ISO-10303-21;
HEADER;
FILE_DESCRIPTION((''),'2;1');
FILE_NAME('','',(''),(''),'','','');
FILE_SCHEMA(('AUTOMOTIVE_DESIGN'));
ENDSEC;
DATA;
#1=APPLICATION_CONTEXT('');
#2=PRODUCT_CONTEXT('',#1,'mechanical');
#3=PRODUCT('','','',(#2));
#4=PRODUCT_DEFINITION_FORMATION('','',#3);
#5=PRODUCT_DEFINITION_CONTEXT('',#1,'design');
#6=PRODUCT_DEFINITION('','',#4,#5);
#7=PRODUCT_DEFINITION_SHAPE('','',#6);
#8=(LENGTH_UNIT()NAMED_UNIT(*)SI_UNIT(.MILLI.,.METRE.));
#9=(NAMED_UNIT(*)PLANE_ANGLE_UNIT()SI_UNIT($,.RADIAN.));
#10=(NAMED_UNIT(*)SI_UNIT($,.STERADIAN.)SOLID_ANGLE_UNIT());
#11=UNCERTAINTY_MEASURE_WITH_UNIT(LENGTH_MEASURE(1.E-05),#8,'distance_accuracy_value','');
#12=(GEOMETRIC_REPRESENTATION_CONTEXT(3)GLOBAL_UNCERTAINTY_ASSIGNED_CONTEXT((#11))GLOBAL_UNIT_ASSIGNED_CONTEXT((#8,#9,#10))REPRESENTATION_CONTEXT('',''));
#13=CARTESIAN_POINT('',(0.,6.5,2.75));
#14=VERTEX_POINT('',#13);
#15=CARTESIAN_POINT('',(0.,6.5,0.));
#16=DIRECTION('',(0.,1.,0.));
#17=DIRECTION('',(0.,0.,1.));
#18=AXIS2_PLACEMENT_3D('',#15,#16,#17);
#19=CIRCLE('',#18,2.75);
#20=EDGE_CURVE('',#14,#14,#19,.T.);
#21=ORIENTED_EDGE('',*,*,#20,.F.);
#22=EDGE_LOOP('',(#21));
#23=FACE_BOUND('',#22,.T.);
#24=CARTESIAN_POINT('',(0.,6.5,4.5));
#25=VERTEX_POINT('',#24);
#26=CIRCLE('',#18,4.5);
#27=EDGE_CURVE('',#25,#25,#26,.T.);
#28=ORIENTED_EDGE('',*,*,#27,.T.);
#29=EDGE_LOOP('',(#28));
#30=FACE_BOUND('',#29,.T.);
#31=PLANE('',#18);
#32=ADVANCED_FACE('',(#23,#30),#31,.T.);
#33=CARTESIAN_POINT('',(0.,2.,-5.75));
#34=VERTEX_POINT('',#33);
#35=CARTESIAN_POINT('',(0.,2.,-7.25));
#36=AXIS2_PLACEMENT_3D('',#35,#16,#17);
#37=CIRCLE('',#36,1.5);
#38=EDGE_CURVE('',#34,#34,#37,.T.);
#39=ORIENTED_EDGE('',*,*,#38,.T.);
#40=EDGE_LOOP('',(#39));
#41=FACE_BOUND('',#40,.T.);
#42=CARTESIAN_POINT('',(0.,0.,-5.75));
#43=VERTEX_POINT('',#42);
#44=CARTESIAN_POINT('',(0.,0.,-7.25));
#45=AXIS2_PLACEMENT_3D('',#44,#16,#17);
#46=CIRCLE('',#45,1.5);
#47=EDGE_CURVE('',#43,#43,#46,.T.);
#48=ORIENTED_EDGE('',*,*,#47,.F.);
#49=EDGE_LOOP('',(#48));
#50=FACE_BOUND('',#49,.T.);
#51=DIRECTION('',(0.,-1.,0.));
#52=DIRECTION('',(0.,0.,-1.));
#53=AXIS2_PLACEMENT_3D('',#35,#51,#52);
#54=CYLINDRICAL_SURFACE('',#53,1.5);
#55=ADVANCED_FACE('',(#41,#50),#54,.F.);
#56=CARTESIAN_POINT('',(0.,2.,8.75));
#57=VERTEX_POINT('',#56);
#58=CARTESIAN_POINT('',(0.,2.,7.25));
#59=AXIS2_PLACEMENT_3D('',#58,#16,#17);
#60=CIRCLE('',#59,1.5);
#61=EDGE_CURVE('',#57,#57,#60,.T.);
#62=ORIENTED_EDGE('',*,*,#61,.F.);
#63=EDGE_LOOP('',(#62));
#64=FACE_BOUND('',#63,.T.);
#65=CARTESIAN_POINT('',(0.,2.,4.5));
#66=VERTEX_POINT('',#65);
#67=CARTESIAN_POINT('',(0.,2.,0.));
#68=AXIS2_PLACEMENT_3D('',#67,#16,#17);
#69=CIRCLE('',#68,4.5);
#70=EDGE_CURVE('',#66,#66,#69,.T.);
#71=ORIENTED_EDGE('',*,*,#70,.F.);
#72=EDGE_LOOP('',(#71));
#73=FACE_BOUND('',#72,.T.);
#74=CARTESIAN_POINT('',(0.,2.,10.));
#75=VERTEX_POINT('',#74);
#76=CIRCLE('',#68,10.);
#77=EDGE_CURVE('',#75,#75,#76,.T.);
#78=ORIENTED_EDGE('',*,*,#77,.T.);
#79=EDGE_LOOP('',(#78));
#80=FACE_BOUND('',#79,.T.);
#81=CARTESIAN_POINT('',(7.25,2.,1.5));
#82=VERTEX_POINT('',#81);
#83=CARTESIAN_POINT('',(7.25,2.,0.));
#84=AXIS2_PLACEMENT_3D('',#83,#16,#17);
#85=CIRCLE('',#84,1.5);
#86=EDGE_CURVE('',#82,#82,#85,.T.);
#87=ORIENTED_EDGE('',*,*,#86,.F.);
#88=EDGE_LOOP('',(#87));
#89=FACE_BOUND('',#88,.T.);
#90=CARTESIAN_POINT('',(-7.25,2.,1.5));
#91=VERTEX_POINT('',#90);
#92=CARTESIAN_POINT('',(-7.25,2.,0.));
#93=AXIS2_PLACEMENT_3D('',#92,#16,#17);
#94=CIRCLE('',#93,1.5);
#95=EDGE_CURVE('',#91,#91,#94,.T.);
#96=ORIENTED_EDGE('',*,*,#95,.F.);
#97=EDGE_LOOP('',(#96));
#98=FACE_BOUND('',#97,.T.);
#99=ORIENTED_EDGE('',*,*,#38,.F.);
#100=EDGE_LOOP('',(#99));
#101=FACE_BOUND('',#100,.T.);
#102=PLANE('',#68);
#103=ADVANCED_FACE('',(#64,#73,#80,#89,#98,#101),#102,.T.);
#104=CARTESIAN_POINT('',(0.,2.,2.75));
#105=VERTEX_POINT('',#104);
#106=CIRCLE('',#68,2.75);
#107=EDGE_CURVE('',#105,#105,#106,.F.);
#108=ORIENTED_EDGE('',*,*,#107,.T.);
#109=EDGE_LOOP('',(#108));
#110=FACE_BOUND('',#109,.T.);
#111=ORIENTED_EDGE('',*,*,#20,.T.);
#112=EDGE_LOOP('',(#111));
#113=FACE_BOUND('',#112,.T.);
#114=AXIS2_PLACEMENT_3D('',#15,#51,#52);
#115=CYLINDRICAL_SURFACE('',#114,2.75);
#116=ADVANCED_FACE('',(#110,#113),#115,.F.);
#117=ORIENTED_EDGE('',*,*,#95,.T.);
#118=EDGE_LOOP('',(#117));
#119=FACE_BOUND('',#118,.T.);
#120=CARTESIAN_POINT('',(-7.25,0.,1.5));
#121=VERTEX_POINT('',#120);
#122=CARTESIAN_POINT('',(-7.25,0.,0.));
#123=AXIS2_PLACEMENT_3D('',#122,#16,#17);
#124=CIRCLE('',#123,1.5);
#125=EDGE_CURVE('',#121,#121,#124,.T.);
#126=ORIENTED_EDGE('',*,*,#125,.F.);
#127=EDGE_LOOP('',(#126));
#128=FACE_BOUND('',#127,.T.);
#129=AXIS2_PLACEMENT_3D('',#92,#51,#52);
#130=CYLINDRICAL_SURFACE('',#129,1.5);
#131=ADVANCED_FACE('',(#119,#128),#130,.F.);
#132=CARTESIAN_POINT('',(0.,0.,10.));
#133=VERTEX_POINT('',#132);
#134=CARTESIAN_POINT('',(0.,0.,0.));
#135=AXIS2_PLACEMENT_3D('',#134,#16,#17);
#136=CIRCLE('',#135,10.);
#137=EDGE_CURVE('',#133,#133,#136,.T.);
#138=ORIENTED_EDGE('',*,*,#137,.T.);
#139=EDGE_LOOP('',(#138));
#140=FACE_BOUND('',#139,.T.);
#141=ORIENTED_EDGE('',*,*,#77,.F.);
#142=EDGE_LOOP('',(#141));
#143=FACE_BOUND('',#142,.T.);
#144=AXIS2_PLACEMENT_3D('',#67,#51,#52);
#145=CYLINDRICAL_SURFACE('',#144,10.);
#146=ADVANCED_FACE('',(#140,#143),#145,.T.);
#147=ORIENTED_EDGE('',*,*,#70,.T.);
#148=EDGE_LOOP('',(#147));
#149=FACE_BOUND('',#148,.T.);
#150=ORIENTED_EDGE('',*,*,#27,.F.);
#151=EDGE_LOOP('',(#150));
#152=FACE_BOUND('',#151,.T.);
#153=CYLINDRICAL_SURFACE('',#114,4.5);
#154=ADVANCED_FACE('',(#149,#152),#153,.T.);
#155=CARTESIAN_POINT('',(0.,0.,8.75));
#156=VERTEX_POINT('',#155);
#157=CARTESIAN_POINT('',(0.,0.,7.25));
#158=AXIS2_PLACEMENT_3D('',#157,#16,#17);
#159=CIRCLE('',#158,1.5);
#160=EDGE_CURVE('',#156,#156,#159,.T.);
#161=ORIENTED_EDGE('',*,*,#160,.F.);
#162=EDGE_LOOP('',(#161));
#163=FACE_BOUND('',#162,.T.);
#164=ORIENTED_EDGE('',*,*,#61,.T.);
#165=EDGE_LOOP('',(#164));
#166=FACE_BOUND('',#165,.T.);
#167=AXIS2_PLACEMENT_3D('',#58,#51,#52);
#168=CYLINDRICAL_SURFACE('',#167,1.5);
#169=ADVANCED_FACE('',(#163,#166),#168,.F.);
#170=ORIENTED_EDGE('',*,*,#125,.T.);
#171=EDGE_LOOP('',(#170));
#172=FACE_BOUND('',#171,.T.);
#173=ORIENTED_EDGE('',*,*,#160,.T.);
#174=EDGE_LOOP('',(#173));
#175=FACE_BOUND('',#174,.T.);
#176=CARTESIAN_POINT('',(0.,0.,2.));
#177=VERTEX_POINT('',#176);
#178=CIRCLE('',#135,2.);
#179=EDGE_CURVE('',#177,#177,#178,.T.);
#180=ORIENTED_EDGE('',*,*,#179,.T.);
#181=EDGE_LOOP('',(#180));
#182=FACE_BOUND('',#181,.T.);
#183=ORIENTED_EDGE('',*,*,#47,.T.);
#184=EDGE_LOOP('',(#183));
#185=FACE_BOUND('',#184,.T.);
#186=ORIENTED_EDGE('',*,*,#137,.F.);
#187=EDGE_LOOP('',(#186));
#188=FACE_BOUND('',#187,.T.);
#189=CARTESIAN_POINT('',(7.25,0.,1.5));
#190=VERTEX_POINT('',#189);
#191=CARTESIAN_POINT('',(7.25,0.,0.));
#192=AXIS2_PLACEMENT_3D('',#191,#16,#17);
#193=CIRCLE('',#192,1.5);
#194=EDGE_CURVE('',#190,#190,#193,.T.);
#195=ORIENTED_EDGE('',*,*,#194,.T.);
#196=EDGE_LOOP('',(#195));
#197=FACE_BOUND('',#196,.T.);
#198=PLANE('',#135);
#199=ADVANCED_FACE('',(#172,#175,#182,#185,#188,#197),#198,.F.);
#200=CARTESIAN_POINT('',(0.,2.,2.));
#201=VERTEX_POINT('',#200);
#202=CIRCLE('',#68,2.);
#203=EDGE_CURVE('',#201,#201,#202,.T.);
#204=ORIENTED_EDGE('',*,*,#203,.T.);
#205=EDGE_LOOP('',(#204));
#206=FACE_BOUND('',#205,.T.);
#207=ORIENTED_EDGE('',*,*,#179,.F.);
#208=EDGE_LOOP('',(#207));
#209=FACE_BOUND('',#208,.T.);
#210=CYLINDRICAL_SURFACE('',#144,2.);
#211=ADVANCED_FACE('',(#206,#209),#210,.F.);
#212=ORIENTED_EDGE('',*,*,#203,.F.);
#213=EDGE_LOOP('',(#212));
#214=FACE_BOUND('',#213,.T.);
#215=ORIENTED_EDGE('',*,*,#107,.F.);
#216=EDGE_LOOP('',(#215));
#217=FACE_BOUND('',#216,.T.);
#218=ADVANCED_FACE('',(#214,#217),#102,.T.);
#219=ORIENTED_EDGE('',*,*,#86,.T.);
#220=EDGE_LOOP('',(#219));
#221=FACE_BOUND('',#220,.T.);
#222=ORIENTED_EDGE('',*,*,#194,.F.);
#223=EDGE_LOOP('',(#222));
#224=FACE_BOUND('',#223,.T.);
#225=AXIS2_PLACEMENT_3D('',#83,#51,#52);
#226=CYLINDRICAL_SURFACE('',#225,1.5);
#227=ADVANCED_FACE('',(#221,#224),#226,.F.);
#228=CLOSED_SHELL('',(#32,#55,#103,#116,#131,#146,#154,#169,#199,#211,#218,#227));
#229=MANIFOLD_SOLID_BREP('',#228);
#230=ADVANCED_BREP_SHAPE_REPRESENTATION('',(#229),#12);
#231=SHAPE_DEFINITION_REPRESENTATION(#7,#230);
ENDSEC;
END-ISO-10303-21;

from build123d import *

# Parameters (mm, degrees)
SKETCH1_R           = 10
SKETCH1_R_2         = 1.5
SKETCH1_R_3         = 2
BOSS_EXTRUDE1_DEPTH = 2
SKETCH2_R           = 4.5
SKETCH2_R_2         = 2.75
BOSS_EXTRUDE2_DEPTH = 4.5


with BuildPart() as part:
    # Sketch1 → Boss-Extrude1 (new body)
    with BuildSketch(Plane(origin=(0, 0, 0), x_dir=(1, 0, 0), z_dir=(0, 1, 0))):
        Circle(SKETCH1_R)
        with Locations((-7.25, 0)):
            Circle(SKETCH1_R_2, mode=Mode.SUBTRACT)
        with Locations((0, 7.25)):
            Circle(SKETCH1_R_2, mode=Mode.SUBTRACT)
        with Locations((7.25, 0)):
            Circle(SKETCH1_R_2, mode=Mode.SUBTRACT)
        with Locations((0, -7.25)):
            Circle(SKETCH1_R_2, mode=Mode.SUBTRACT)
        Circle(SKETCH1_R_3, mode=Mode.SUBTRACT)
    extrude(amount=BOSS_EXTRUDE1_DEPTH)

    # Sketch2 → Boss-Extrude2 (add)
    with BuildSketch(Plane(origin=(0, 2, 0), x_dir=(1, 0, 0), z_dir=(0, 1, 0))):
        Circle(SKETCH2_R)
        Circle(SKETCH2_R_2, mode=Mode.SUBTRACT)
    extrude(amount=BOSS_EXTRUDE2_DEPTH)


solid = part.part
